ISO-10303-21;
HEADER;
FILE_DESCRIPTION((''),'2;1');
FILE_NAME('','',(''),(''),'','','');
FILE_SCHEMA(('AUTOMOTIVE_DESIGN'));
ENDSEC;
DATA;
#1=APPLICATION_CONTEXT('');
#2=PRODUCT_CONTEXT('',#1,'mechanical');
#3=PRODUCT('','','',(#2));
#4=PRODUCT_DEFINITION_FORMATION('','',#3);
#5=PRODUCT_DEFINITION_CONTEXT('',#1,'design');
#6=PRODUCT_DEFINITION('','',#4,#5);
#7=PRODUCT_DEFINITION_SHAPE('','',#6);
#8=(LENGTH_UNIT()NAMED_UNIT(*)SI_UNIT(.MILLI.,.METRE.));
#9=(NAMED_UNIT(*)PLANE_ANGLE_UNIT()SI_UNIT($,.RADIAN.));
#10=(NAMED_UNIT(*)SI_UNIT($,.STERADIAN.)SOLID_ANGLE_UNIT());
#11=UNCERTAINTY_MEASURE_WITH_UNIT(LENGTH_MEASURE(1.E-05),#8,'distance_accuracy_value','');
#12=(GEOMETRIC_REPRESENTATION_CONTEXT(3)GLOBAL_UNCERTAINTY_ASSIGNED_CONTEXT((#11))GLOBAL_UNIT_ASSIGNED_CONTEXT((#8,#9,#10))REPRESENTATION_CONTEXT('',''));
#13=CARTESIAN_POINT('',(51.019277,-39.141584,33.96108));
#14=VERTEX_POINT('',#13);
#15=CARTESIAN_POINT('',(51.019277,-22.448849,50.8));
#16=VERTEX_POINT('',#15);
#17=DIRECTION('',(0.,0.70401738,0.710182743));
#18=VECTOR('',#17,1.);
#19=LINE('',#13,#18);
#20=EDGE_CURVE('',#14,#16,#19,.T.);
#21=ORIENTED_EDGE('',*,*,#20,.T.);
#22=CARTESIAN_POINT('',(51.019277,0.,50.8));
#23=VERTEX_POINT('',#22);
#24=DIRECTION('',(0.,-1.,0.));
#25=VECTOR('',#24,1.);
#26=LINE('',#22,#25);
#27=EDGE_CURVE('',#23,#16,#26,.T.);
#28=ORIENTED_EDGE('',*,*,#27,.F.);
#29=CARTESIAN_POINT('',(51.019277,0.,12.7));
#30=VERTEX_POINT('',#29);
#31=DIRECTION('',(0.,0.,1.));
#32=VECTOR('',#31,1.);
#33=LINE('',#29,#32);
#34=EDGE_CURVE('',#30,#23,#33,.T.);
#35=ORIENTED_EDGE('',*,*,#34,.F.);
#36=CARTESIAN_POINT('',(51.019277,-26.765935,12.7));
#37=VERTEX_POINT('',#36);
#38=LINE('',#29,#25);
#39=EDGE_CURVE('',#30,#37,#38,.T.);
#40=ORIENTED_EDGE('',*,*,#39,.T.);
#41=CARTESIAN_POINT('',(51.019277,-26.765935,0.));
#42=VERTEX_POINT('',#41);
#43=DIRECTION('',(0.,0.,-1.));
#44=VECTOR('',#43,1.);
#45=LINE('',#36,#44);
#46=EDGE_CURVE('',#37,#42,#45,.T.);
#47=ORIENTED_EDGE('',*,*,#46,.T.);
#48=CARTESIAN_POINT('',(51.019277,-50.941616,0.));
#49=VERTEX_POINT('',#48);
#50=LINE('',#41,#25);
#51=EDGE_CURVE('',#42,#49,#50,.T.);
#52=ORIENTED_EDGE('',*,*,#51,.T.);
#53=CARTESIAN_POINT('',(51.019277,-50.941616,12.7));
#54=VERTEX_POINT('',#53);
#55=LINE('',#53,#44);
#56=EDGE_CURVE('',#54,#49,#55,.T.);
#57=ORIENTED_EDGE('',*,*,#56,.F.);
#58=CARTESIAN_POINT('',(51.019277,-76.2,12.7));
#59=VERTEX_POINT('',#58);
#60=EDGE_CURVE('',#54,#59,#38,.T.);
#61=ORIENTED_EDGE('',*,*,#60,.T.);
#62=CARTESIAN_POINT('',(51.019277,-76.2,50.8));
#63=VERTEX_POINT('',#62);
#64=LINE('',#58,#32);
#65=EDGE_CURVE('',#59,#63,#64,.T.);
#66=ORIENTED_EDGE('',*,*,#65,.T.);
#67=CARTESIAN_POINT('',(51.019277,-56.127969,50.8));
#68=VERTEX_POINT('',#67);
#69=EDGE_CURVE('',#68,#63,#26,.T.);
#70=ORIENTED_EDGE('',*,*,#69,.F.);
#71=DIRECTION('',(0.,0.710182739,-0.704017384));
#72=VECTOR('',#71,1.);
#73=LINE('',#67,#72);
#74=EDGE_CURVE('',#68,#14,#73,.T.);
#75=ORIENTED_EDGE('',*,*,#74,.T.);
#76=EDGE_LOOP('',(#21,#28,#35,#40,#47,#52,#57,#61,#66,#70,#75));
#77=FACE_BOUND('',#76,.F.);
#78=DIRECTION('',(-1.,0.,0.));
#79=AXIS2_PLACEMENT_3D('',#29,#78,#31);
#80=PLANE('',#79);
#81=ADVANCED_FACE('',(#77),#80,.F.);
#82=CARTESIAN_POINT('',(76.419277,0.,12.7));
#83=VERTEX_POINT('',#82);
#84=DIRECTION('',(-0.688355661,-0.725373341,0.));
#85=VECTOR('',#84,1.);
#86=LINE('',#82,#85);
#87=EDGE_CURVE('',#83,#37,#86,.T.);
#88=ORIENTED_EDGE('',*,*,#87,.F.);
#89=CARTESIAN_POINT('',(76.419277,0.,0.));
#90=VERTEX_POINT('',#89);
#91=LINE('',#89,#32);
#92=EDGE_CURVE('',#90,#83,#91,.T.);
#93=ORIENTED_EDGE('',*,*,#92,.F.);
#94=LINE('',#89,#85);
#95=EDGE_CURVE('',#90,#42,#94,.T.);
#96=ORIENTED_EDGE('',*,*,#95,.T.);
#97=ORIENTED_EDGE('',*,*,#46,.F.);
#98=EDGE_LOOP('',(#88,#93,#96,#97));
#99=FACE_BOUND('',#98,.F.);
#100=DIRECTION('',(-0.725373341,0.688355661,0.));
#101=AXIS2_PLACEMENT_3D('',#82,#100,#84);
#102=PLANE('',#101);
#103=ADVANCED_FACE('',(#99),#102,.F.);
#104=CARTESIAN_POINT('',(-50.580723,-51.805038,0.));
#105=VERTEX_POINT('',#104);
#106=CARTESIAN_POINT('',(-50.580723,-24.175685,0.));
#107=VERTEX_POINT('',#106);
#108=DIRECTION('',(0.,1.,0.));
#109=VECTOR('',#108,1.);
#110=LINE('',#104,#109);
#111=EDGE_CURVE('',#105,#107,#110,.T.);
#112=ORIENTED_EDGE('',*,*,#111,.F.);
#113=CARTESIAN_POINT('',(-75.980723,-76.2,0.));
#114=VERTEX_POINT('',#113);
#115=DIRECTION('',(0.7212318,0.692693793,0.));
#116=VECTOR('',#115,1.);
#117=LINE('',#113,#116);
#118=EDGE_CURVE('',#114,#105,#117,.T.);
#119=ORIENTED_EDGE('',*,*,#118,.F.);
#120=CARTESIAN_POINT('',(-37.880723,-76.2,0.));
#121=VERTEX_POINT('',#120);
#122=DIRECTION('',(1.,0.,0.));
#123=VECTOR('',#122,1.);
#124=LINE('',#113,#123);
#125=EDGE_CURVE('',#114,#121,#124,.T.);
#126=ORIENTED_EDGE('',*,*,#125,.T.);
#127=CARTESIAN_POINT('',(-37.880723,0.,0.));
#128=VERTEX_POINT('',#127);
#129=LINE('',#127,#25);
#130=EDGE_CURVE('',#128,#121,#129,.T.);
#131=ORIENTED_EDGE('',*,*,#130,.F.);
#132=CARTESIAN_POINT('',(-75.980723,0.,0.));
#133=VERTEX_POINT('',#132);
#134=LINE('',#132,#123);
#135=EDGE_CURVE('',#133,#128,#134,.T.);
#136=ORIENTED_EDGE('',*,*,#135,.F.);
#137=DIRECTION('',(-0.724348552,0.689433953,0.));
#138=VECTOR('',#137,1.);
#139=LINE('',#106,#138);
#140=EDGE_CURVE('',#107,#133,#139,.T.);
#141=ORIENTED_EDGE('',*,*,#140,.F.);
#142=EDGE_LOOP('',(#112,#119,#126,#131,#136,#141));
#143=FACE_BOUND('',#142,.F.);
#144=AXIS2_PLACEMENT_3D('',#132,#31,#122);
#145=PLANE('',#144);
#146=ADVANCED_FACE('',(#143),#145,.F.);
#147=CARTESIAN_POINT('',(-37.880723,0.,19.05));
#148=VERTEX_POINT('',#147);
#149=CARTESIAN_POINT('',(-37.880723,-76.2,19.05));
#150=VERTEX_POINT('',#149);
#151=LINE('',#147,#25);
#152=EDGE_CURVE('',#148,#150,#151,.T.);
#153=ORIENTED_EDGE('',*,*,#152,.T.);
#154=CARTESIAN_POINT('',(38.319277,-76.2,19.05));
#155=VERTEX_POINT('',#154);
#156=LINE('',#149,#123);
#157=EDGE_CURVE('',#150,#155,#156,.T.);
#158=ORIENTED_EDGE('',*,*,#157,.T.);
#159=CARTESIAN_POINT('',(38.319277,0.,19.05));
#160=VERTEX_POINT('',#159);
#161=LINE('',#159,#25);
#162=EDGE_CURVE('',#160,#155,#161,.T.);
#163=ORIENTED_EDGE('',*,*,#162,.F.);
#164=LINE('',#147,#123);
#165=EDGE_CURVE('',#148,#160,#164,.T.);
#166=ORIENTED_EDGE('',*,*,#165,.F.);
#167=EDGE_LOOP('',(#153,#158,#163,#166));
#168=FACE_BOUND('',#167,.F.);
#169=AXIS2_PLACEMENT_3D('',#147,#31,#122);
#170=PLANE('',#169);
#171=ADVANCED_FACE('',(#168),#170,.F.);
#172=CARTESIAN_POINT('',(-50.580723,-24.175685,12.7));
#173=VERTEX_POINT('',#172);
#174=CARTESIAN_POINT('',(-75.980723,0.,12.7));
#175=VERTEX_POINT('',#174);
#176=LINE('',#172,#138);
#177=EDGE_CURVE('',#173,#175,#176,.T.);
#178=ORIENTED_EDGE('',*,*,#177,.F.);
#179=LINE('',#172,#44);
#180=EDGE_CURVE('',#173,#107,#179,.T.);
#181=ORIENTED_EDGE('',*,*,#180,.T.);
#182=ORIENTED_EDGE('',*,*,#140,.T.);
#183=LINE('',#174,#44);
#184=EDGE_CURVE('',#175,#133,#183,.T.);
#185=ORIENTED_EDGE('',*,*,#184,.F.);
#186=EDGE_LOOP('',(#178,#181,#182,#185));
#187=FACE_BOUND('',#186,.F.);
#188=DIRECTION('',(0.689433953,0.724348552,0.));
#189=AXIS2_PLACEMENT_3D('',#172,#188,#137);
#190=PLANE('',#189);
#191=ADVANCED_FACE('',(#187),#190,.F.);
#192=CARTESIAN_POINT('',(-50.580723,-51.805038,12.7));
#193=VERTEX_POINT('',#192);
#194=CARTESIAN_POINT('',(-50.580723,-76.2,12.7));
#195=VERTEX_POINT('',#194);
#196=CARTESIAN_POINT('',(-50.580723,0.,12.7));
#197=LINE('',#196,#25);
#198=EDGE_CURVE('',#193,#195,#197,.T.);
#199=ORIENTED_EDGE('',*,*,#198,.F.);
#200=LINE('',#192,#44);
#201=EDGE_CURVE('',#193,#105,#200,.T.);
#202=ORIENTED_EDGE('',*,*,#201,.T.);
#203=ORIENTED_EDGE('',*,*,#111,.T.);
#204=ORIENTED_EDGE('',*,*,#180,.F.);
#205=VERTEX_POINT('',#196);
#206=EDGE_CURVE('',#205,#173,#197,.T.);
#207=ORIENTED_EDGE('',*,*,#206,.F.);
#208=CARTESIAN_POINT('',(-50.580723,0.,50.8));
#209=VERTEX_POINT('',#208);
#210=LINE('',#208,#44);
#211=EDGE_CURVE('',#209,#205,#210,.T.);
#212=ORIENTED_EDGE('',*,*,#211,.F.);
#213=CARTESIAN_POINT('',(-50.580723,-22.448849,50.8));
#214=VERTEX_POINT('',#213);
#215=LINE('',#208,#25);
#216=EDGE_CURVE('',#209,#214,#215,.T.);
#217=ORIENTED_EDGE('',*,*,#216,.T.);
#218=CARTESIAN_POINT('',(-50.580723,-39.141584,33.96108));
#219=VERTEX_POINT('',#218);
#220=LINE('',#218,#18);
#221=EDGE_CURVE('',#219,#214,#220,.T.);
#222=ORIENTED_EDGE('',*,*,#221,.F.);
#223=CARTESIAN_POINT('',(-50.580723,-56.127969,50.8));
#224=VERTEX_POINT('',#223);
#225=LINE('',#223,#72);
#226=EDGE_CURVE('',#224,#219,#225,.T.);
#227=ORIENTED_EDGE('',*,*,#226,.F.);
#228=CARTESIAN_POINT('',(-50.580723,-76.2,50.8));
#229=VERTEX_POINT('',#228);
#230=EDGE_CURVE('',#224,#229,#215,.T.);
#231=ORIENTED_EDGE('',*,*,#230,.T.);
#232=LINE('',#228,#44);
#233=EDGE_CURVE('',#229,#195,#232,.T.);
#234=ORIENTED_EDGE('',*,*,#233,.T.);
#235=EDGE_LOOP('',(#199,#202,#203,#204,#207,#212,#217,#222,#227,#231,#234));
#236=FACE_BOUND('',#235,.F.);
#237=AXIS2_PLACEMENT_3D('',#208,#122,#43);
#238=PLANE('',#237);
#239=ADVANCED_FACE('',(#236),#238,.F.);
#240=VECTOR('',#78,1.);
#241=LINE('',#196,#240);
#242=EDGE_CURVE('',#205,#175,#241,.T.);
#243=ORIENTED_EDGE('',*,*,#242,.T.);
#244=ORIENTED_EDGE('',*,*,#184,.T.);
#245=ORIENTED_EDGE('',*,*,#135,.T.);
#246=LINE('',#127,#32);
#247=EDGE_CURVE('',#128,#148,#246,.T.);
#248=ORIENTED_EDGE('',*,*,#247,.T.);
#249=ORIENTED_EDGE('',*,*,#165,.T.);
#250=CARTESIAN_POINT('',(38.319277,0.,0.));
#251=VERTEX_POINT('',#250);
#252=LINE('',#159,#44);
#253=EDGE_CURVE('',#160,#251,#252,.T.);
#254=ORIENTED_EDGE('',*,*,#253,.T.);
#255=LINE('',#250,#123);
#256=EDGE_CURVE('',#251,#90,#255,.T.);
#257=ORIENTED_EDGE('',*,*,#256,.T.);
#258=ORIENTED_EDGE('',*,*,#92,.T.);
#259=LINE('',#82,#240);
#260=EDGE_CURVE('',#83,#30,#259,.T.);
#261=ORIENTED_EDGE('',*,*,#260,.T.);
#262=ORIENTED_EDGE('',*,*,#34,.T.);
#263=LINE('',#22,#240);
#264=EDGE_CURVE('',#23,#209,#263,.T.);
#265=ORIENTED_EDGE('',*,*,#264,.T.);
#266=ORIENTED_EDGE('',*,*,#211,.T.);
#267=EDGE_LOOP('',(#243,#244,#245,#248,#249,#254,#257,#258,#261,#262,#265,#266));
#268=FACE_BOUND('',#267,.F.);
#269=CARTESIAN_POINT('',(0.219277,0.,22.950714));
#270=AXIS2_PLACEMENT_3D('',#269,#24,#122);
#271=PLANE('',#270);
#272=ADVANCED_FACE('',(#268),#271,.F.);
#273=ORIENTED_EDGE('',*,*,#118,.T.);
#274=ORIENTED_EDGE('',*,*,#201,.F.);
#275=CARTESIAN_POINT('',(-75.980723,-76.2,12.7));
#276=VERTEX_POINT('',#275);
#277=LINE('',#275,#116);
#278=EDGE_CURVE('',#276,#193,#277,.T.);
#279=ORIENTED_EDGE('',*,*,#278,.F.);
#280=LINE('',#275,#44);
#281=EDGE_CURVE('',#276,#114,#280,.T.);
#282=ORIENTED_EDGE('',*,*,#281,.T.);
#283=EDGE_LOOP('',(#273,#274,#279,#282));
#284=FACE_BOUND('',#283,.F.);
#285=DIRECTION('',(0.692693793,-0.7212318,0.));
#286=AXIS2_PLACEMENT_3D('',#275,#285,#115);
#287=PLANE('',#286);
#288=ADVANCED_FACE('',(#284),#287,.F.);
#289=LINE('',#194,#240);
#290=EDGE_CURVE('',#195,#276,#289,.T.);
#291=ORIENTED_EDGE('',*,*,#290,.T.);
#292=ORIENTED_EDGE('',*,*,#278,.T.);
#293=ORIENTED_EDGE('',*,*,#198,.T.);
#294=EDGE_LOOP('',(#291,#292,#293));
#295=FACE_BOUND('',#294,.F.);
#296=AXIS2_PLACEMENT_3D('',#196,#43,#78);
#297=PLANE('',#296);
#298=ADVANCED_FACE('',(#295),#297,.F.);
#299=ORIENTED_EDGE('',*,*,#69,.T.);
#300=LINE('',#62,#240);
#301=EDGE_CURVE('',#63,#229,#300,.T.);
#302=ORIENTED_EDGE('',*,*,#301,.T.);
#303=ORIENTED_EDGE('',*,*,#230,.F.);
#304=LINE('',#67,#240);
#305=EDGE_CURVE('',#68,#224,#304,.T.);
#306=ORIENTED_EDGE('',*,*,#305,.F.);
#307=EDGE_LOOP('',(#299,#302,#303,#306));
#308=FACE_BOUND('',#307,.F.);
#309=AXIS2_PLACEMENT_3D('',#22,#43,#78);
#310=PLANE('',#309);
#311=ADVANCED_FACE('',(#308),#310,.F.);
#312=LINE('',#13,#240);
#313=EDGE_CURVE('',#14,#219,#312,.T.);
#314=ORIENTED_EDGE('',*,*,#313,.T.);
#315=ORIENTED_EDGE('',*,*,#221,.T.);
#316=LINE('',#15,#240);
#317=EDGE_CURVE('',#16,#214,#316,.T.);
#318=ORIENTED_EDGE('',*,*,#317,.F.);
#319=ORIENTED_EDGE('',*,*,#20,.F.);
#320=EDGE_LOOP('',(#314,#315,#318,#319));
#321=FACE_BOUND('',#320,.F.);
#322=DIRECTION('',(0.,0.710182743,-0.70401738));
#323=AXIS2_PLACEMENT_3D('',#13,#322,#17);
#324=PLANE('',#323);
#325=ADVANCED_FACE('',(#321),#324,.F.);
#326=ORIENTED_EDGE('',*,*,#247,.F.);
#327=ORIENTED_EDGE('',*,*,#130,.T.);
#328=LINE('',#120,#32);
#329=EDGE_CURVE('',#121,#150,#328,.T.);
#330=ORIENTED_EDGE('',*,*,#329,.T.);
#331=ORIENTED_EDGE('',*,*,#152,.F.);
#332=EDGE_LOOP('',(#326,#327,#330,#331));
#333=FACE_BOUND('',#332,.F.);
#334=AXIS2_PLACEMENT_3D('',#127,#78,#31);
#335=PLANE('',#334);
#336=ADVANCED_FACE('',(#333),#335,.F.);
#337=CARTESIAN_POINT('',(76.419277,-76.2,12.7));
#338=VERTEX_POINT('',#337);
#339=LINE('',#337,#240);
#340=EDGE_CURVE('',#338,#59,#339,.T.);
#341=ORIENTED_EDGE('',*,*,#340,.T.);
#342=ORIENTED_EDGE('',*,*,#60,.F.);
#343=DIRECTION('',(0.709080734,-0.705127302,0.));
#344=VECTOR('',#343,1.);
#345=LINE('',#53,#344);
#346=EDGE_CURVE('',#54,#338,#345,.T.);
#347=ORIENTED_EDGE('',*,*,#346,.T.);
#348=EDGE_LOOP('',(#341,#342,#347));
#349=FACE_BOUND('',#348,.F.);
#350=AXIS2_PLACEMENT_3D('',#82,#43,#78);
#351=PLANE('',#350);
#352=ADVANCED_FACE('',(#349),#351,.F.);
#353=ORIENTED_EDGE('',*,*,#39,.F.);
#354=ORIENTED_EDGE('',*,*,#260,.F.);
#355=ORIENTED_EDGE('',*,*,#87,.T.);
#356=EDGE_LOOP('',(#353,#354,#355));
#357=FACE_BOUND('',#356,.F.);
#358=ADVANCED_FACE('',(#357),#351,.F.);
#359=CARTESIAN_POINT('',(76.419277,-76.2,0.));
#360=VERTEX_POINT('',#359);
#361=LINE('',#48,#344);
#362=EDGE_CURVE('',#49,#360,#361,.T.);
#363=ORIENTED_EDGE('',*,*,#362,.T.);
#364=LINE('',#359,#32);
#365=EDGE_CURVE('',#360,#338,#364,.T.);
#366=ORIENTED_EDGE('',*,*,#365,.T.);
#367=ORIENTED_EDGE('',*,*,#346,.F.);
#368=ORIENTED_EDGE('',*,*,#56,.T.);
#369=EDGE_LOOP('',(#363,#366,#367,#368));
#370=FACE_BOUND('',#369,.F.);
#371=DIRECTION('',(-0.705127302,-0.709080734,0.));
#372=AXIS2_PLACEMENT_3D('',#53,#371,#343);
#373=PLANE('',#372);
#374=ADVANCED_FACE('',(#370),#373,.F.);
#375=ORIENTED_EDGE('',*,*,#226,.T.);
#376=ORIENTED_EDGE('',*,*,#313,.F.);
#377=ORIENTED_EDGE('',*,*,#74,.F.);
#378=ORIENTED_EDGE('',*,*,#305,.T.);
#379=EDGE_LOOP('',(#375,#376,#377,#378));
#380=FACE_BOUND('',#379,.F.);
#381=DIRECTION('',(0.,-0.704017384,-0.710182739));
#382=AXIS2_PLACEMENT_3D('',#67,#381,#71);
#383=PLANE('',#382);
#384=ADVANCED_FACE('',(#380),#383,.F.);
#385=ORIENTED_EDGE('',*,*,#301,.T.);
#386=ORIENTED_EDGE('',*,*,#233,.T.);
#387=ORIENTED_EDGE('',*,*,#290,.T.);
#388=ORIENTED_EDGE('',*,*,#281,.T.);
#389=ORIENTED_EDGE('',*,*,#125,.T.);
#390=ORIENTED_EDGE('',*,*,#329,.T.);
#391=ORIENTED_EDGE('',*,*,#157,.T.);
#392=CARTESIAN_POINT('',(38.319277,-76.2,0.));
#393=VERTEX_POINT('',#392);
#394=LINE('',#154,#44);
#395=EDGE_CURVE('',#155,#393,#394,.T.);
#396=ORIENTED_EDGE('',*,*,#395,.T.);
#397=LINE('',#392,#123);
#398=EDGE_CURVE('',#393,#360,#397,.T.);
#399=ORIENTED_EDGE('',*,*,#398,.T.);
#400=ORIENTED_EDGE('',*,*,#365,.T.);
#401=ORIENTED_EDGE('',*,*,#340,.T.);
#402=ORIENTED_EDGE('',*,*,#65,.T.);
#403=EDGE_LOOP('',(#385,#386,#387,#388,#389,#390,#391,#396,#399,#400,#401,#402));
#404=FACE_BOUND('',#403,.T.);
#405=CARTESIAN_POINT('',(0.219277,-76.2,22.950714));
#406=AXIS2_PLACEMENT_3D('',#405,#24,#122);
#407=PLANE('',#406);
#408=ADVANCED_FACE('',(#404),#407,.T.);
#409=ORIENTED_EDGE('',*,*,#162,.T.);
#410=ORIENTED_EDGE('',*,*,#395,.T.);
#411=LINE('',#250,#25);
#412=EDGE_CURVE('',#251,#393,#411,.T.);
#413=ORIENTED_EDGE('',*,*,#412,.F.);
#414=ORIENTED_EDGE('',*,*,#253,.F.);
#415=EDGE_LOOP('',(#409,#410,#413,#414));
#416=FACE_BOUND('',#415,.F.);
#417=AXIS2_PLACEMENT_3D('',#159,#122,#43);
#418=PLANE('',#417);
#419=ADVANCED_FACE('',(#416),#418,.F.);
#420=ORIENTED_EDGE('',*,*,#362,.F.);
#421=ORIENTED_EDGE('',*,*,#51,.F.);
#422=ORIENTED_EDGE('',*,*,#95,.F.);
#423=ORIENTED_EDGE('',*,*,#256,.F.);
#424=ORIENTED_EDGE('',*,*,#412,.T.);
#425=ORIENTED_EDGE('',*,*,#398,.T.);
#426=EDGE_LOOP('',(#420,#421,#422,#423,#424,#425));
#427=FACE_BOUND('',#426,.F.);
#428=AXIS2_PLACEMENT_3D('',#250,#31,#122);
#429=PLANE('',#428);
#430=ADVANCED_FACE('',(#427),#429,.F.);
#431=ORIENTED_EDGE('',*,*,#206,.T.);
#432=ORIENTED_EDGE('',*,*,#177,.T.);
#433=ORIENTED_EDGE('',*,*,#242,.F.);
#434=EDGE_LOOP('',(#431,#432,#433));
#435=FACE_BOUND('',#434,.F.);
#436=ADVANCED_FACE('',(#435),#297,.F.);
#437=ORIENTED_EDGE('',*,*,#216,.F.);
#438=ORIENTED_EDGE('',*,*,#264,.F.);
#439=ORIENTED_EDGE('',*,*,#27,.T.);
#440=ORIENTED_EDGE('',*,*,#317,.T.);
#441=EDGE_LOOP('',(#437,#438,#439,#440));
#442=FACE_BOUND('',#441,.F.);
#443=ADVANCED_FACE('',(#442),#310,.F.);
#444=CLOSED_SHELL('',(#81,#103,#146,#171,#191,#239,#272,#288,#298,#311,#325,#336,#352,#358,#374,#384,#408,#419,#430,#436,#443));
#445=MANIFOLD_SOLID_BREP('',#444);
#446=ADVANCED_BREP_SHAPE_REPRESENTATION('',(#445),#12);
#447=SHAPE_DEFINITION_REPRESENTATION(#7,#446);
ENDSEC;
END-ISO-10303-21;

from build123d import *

# Parameters (mm, degrees)
F1_DEPTH = 76.2
F3_DEPTH = 12.7
F5_DEPTH = 12.7
F7_DEPTH = 101.6


with BuildPart() as f1:
    # F0 (on Front) → F1 (new body)
    with BuildSketch(Plane.XZ):
        Polygon((-75.980723, 12.7), (-75.980723, 0), (-37.880723, 0), (-37.880723, 19.05), (38.319277, 19.05), (38.319277, 0), (76.419277, 0), (76.419277, 12.7), (51.019277, 12.7), (51.019277, 50.8), (-50.580723, 50.8), (-50.580723, 12.7), align=None)
    extrude(amount=F1_DEPTH)

    # F2 (on face) → F3 (cut, through all)
    with BuildSketch(Plane.XY.offset(12.7)):
        Polygon((51.019277, -50.941616), (76.419277, -76.2), (76.419277, 0), (51.019277, -26.765935), align=None)
    extrude(amount=-F3_DEPTH, mode=Mode.SUBTRACT)

    # F4 (on face) → F5 (cut, through all)
    with BuildSketch(Plane.XY.offset(12.7)):
        Polygon((-75.980723, 0), (-75.980723, -76.2), (-50.580723, -51.805038), (-50.580723, -24.175685), align=None)
    extrude(amount=-F5_DEPTH, mode=Mode.SUBTRACT)

    # F6 (on face) → F7 (cut, through all)
    with BuildSketch(Plane.YZ.offset(51.019277)):
        Polygon((-56.127969, 50.8), (-39.141584, 33.96108), (-22.448849, 50.8), align=None)
    extrude(amount=-F7_DEPTH, mode=Mode.SUBTRACT)


solid = f1.part
